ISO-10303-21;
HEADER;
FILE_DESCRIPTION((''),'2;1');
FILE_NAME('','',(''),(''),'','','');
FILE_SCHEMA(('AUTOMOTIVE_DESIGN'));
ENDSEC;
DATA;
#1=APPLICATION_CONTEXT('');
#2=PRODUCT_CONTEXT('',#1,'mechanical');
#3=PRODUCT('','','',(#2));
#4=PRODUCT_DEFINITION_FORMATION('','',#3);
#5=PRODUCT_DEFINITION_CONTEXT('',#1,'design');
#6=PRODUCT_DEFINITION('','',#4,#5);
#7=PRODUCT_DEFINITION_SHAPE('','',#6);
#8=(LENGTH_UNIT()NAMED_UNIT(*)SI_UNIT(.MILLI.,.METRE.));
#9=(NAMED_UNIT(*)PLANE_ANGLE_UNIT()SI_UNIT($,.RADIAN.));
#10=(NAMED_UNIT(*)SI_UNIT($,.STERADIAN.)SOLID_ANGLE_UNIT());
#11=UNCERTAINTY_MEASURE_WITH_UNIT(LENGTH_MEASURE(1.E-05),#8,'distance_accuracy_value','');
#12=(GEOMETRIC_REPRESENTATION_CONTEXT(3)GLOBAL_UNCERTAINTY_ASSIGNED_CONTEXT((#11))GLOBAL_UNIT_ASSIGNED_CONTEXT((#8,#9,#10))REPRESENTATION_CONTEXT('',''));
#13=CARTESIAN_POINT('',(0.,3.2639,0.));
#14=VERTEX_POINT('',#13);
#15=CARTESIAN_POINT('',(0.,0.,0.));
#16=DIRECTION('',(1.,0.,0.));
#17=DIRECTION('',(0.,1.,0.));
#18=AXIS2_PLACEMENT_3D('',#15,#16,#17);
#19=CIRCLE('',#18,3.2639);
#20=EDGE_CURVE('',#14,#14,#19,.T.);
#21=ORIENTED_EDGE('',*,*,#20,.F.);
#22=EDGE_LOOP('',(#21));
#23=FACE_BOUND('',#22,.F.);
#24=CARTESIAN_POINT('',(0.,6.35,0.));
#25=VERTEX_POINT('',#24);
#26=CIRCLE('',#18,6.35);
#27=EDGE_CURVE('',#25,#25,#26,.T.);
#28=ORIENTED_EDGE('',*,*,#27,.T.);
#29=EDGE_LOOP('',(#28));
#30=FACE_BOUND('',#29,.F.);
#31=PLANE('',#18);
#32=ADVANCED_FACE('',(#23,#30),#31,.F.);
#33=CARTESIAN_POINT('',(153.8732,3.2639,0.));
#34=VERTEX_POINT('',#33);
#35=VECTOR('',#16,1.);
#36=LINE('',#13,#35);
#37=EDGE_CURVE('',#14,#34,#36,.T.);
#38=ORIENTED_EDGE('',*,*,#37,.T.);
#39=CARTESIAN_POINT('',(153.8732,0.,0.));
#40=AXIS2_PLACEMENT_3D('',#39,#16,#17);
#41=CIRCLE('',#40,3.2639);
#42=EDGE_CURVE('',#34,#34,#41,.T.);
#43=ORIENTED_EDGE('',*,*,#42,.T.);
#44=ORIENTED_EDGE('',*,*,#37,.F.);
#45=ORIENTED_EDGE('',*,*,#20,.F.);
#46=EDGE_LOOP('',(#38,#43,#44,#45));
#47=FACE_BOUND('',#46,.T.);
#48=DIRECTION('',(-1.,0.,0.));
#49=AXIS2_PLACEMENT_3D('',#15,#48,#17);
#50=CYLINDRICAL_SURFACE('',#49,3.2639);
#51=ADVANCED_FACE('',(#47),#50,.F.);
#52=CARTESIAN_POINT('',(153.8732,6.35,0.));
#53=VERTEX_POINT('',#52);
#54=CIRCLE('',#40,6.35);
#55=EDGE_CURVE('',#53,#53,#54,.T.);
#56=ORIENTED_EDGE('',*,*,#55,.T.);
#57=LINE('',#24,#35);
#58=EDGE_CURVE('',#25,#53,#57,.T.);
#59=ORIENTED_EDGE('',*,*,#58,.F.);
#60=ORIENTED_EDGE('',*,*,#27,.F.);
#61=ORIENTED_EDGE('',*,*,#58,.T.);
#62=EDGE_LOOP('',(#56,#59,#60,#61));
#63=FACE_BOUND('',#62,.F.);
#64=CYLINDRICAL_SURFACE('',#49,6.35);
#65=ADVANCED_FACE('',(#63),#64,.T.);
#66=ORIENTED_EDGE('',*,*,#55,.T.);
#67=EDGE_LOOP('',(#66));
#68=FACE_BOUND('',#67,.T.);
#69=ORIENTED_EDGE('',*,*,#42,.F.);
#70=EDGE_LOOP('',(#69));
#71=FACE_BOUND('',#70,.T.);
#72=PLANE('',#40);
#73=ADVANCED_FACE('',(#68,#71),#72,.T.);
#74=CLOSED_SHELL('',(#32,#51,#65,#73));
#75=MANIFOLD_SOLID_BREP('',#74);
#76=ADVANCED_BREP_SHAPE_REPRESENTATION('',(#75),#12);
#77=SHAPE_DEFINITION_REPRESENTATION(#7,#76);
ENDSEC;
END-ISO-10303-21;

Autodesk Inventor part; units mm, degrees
ref_plane "YZ Plane" through (0, 0, 0) normal (1, 0, 0) x (0, 1, 0)
ref_plane "XZ Plane" through (0, 0, 0) normal (0, 1, 0) x (-1, 0, 0)
ref_plane "XY Plane" through (0, 0, 0) normal (0, 0, 1) x (1, 0, 0)
sketch "Sketch1" plane through (0, 0, 0) normal (1, 0, 0) x (0, 1, 0)
  circle A0 centre (0, 0) radius 3.2639
  circle A1 centre (0, 0) radius 6.35
  dimension "d0" = 6.5278
  dimension "d1" = 12.7
extrude "Extrusion1" add sketch "Sketch1" along normal blind 153.8732
properties part number "Delrin Spacer" material "LCP Plastic"
